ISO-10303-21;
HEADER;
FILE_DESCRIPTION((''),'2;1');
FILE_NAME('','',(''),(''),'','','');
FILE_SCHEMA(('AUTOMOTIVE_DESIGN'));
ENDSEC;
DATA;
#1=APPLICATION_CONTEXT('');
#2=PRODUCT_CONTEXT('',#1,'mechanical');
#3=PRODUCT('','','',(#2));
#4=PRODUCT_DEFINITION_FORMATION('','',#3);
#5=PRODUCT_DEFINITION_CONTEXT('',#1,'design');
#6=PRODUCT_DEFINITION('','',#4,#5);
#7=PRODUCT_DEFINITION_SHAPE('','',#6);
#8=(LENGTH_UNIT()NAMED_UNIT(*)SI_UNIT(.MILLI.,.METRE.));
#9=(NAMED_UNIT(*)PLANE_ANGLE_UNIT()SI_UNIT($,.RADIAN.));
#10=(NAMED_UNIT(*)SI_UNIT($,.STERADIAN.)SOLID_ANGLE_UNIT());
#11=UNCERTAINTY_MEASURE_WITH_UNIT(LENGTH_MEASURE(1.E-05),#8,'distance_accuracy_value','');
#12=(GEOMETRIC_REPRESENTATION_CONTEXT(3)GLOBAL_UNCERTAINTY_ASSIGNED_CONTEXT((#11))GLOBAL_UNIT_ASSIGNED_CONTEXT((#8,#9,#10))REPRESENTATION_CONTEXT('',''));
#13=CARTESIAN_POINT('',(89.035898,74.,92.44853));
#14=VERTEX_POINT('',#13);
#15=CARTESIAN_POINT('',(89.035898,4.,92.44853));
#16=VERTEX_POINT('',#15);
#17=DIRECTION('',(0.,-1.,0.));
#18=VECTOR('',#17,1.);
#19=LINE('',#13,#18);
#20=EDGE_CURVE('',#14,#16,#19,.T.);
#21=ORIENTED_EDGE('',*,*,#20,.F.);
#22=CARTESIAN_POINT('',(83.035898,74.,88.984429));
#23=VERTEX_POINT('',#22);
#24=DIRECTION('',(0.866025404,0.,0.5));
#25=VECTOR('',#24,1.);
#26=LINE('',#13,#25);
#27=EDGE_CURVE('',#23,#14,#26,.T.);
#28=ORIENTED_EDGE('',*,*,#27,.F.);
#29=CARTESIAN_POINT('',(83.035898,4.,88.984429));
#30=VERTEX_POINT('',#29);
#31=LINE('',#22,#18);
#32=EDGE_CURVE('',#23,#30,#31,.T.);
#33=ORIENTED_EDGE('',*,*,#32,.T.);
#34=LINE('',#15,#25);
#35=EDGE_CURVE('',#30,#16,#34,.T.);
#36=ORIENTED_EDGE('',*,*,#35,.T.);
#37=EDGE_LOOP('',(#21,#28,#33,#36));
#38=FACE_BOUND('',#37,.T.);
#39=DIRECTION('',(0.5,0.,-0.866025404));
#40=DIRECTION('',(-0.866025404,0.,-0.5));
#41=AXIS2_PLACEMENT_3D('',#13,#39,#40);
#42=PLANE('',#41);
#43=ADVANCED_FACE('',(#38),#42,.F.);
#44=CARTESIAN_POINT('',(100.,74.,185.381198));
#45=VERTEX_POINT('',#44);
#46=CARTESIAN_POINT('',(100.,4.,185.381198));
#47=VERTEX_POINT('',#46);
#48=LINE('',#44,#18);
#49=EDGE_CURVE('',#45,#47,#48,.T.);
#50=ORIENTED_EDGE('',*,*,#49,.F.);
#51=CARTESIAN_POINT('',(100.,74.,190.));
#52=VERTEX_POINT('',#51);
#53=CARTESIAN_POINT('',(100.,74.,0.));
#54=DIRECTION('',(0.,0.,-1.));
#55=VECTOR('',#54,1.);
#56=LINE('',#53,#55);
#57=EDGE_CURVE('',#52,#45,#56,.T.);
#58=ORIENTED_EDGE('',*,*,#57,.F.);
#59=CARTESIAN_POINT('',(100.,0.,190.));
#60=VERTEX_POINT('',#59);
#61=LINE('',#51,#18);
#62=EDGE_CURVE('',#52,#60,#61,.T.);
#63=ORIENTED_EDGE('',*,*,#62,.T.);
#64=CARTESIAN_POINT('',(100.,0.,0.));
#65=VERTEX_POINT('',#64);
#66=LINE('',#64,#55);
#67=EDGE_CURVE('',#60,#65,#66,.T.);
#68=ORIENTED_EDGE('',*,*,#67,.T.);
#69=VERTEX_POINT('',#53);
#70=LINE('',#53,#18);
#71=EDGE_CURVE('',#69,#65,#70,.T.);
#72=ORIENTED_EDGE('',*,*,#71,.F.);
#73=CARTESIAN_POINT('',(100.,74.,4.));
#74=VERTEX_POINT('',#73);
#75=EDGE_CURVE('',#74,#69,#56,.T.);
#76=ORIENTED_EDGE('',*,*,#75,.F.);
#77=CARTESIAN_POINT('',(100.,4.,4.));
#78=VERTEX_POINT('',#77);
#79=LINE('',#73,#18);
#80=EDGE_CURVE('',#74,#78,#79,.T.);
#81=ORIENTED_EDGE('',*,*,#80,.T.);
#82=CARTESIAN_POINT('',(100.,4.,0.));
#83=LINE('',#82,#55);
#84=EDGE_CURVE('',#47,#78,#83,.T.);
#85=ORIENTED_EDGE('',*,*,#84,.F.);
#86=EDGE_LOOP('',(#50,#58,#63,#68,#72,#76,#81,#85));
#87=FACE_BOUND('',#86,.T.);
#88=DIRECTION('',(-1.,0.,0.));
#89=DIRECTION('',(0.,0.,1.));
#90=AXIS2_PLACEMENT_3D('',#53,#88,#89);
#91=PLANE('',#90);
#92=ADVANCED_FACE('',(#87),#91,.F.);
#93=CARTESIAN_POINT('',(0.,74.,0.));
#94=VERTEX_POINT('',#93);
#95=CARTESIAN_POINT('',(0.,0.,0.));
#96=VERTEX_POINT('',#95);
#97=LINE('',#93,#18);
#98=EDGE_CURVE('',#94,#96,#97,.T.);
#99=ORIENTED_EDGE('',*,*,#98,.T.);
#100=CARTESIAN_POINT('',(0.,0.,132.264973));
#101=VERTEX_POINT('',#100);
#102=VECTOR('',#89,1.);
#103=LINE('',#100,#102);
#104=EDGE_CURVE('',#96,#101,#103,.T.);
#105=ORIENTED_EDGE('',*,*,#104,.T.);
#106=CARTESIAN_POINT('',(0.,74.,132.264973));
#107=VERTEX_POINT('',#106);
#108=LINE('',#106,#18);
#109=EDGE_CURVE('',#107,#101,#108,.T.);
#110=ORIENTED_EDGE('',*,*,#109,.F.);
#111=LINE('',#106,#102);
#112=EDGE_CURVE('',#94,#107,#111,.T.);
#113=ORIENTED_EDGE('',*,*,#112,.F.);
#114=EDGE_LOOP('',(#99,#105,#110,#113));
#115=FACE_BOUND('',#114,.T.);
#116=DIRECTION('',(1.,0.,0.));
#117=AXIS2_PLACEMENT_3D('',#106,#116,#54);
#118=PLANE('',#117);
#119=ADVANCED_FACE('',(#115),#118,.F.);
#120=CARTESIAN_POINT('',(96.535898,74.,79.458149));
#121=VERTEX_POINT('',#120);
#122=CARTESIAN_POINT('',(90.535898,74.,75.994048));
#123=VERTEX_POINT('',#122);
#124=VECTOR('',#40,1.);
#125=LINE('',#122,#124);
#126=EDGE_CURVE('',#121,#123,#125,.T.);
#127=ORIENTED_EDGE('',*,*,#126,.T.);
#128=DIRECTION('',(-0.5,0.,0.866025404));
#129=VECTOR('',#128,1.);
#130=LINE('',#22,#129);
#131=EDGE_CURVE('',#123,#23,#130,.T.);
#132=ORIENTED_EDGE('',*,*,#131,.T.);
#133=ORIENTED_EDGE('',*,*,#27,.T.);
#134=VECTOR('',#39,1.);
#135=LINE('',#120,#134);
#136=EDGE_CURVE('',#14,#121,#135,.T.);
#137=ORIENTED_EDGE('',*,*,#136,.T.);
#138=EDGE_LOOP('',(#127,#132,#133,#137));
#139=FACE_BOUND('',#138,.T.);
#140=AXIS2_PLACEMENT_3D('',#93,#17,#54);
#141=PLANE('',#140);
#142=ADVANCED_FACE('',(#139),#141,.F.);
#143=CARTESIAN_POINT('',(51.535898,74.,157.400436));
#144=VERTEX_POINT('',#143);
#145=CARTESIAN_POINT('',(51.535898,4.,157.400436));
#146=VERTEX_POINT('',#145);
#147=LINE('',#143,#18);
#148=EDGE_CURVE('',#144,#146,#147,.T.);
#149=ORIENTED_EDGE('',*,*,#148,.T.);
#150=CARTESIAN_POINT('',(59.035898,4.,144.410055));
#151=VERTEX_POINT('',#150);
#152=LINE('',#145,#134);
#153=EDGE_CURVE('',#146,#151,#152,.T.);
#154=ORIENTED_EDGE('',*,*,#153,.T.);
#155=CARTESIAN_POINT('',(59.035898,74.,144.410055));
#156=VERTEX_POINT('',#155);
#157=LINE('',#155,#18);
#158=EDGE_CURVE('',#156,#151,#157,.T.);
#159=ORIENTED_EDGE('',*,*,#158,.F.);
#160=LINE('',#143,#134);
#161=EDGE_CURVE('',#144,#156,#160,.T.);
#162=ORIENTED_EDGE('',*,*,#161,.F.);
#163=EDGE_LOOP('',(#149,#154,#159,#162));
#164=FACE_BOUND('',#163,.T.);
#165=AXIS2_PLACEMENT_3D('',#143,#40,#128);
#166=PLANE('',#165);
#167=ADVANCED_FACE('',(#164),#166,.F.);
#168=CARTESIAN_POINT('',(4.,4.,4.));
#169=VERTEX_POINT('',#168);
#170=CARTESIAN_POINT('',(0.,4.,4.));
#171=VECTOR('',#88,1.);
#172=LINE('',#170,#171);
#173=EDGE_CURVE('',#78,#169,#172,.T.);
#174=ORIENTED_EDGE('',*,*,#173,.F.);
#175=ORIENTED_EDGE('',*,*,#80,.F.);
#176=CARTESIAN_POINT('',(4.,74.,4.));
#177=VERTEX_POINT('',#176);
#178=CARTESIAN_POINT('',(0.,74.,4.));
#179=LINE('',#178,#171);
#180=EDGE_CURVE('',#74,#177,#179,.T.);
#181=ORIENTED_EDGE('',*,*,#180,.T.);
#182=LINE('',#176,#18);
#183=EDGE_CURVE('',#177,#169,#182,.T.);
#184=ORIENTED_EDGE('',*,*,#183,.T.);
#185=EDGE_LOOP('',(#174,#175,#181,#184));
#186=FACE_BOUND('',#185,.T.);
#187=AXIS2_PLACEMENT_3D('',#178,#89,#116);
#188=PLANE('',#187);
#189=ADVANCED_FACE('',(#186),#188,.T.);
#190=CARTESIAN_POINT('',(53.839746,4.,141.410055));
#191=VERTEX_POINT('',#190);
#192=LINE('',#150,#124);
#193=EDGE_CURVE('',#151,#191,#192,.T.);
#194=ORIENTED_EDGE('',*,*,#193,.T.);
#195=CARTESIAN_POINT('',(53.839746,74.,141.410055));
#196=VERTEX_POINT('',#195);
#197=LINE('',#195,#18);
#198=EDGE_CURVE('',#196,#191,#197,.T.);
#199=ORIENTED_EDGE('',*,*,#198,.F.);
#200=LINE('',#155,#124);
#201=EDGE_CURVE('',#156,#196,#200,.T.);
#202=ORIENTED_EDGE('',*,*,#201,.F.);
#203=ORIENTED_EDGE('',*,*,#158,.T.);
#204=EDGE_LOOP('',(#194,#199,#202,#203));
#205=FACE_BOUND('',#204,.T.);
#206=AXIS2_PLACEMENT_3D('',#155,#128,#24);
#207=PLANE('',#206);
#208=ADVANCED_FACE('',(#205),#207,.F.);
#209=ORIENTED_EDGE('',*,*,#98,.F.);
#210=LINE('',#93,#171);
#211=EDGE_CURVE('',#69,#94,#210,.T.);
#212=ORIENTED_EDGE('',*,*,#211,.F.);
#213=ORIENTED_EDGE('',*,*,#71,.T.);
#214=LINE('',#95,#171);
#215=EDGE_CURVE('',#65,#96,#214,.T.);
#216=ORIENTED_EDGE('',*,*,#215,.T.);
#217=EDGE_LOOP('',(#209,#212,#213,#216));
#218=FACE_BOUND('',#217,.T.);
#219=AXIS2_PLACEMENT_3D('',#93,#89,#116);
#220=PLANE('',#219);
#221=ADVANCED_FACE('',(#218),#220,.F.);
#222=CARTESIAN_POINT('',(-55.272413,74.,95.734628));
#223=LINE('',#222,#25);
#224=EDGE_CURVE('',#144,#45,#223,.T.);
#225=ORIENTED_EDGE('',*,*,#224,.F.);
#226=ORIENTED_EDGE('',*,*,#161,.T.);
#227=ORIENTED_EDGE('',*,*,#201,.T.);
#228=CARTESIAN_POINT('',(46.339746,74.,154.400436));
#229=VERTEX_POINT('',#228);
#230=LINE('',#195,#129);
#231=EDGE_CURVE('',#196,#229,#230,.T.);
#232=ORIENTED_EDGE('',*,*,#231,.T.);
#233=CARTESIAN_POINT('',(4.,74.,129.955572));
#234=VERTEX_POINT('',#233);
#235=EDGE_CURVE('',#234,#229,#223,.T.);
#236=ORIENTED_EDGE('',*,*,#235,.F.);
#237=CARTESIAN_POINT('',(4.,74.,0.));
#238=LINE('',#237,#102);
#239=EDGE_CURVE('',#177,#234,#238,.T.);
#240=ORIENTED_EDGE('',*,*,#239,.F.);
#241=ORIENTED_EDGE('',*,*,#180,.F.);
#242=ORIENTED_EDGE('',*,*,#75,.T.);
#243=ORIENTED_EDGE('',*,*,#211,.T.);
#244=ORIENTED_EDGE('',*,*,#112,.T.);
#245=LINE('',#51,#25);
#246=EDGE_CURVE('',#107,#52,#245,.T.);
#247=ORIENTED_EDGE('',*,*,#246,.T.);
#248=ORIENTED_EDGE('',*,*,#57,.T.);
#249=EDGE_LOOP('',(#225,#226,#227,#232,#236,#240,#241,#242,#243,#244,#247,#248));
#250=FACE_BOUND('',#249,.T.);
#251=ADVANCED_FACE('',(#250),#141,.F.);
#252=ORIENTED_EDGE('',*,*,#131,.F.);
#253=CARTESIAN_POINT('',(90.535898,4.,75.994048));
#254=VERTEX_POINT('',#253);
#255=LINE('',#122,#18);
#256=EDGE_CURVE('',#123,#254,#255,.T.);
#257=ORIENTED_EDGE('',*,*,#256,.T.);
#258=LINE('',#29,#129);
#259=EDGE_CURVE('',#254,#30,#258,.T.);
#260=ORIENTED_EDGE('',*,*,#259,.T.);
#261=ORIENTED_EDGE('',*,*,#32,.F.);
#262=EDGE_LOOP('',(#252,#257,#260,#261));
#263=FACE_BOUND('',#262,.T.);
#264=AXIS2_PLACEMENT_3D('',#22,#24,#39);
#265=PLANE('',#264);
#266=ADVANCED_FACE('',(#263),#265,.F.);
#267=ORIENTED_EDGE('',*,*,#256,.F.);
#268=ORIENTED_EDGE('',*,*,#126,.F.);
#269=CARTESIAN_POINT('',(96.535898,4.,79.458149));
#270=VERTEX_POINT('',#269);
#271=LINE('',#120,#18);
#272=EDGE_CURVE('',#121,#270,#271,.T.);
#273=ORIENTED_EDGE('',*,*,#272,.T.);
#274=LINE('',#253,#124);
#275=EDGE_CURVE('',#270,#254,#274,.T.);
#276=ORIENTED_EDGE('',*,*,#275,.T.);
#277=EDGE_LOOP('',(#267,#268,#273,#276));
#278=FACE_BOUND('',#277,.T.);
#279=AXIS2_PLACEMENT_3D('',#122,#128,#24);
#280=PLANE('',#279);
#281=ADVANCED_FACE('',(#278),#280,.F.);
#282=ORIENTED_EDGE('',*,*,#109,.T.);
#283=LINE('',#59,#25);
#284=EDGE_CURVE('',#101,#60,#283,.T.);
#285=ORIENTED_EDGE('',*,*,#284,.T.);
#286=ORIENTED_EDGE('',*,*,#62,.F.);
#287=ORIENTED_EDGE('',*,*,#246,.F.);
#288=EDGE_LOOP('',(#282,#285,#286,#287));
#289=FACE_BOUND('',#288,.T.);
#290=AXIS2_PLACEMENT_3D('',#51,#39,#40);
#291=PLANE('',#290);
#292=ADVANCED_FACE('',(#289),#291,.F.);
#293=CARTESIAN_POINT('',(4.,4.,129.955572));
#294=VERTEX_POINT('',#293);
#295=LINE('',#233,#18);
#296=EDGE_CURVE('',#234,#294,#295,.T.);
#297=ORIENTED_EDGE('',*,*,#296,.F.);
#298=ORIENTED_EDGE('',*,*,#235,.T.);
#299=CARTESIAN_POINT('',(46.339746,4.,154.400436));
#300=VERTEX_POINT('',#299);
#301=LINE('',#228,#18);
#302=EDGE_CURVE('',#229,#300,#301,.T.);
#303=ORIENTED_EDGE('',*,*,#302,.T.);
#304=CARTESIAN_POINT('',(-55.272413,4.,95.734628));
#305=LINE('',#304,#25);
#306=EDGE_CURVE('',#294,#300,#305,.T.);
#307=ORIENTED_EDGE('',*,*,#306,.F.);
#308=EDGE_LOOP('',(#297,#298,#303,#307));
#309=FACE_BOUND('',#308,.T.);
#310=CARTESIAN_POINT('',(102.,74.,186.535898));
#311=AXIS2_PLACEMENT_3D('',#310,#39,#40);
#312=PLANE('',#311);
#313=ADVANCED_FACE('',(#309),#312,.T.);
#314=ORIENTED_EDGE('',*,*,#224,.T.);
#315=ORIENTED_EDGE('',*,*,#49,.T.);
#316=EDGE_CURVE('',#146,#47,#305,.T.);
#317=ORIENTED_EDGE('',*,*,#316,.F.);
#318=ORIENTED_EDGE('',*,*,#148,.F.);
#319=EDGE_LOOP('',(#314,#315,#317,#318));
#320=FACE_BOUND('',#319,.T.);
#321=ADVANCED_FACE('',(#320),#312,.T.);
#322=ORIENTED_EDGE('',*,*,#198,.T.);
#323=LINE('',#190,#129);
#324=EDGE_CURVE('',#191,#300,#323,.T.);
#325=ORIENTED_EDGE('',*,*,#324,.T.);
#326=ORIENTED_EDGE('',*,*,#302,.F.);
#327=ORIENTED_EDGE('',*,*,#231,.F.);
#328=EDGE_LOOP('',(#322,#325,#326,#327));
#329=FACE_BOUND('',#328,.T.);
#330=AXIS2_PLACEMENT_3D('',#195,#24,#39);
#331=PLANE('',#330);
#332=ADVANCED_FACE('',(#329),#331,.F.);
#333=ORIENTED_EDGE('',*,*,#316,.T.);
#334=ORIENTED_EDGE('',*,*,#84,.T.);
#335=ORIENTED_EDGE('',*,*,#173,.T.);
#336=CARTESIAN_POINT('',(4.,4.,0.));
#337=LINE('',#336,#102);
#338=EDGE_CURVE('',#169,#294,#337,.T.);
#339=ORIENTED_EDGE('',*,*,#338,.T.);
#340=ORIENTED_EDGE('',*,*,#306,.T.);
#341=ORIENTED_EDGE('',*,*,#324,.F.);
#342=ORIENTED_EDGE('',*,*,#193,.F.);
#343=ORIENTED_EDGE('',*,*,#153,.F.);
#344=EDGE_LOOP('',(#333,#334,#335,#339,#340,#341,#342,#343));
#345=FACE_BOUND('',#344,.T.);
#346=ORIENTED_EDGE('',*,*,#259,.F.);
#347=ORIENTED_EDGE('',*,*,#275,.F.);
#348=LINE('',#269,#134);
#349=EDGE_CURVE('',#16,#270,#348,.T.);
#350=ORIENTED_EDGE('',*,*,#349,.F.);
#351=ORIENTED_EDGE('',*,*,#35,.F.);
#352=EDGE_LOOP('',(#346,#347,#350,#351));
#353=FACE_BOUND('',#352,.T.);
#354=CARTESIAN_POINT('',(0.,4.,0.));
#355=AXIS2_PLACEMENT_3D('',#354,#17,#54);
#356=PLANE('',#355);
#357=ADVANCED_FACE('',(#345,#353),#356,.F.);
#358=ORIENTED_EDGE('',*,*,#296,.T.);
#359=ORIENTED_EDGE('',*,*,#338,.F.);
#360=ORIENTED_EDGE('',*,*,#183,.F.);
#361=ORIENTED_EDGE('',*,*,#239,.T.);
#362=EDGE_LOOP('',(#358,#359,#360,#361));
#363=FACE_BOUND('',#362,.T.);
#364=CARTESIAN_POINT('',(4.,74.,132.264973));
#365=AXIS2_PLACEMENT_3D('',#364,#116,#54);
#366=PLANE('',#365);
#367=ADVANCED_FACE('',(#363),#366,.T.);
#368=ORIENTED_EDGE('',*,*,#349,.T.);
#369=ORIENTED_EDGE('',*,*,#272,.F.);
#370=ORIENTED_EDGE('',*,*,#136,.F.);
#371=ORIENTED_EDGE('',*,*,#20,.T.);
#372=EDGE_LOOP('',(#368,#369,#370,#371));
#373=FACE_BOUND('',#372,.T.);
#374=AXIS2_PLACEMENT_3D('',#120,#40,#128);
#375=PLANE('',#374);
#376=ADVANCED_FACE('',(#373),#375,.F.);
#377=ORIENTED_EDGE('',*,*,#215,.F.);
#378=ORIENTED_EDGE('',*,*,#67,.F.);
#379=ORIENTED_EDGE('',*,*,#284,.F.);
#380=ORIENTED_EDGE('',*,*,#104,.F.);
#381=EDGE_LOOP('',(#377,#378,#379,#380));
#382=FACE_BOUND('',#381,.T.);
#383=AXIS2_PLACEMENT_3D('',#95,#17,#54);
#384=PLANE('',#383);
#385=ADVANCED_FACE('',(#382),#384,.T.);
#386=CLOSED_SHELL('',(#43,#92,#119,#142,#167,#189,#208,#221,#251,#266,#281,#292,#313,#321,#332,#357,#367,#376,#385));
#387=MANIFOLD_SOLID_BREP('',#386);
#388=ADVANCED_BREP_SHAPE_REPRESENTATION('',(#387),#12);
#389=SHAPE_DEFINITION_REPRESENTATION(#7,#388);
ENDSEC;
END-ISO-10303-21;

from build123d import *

# Parameters (mm, degrees)
EXTRUDE_1_DEPTH = 74
SHELL_1_T       = -4
EXTRUDE_2_DEPTH = 70


with BuildPart() as part:
    # 草图1 → 凸台-拉伸1 (new body)
    with BuildSketch(Plane(origin=(0, 0, 0), x_dir=(1, 0, 0), z_dir=(0, 1, 0))):
        Polygon((0, 0), (100, 0), (100, -190), (0, -132.264973081), align=None)
    extrude(amount=EXTRUDE_1_DEPTH)

    # 抽壳1
    shell_1_openings = [part.faces().sort_by_distance(p)[0] for p in [
        (52.985898342, 74, 81.428197876),
        (100, 37, 95),
    ]]
    offset(amount=SHELL_1_T, openings=shell_1_openings, kind=Kind.INTERSECTION)

    # 草图2 → 凸台-拉伸2 (add)
    with BuildSketch(Plane(origin=(0, 4, 0), x_dir=(1, 0, 0), z_dir=(0, 1, 0))):
        Polygon((96.535898385, -79.458149392), (89.035898385, -92.448530449), (83.035898385, -88.984428834), (90.535898385, -75.994047777), align=None)
        Polygon((51.535898385, -157.400435733), (59.035898385, -144.410054676), (53.839745962, -141.410054676), (46.339745962, -154.400435733), align=None)
    extrude(amount=EXTRUDE_2_DEPTH)


solid = part.part
